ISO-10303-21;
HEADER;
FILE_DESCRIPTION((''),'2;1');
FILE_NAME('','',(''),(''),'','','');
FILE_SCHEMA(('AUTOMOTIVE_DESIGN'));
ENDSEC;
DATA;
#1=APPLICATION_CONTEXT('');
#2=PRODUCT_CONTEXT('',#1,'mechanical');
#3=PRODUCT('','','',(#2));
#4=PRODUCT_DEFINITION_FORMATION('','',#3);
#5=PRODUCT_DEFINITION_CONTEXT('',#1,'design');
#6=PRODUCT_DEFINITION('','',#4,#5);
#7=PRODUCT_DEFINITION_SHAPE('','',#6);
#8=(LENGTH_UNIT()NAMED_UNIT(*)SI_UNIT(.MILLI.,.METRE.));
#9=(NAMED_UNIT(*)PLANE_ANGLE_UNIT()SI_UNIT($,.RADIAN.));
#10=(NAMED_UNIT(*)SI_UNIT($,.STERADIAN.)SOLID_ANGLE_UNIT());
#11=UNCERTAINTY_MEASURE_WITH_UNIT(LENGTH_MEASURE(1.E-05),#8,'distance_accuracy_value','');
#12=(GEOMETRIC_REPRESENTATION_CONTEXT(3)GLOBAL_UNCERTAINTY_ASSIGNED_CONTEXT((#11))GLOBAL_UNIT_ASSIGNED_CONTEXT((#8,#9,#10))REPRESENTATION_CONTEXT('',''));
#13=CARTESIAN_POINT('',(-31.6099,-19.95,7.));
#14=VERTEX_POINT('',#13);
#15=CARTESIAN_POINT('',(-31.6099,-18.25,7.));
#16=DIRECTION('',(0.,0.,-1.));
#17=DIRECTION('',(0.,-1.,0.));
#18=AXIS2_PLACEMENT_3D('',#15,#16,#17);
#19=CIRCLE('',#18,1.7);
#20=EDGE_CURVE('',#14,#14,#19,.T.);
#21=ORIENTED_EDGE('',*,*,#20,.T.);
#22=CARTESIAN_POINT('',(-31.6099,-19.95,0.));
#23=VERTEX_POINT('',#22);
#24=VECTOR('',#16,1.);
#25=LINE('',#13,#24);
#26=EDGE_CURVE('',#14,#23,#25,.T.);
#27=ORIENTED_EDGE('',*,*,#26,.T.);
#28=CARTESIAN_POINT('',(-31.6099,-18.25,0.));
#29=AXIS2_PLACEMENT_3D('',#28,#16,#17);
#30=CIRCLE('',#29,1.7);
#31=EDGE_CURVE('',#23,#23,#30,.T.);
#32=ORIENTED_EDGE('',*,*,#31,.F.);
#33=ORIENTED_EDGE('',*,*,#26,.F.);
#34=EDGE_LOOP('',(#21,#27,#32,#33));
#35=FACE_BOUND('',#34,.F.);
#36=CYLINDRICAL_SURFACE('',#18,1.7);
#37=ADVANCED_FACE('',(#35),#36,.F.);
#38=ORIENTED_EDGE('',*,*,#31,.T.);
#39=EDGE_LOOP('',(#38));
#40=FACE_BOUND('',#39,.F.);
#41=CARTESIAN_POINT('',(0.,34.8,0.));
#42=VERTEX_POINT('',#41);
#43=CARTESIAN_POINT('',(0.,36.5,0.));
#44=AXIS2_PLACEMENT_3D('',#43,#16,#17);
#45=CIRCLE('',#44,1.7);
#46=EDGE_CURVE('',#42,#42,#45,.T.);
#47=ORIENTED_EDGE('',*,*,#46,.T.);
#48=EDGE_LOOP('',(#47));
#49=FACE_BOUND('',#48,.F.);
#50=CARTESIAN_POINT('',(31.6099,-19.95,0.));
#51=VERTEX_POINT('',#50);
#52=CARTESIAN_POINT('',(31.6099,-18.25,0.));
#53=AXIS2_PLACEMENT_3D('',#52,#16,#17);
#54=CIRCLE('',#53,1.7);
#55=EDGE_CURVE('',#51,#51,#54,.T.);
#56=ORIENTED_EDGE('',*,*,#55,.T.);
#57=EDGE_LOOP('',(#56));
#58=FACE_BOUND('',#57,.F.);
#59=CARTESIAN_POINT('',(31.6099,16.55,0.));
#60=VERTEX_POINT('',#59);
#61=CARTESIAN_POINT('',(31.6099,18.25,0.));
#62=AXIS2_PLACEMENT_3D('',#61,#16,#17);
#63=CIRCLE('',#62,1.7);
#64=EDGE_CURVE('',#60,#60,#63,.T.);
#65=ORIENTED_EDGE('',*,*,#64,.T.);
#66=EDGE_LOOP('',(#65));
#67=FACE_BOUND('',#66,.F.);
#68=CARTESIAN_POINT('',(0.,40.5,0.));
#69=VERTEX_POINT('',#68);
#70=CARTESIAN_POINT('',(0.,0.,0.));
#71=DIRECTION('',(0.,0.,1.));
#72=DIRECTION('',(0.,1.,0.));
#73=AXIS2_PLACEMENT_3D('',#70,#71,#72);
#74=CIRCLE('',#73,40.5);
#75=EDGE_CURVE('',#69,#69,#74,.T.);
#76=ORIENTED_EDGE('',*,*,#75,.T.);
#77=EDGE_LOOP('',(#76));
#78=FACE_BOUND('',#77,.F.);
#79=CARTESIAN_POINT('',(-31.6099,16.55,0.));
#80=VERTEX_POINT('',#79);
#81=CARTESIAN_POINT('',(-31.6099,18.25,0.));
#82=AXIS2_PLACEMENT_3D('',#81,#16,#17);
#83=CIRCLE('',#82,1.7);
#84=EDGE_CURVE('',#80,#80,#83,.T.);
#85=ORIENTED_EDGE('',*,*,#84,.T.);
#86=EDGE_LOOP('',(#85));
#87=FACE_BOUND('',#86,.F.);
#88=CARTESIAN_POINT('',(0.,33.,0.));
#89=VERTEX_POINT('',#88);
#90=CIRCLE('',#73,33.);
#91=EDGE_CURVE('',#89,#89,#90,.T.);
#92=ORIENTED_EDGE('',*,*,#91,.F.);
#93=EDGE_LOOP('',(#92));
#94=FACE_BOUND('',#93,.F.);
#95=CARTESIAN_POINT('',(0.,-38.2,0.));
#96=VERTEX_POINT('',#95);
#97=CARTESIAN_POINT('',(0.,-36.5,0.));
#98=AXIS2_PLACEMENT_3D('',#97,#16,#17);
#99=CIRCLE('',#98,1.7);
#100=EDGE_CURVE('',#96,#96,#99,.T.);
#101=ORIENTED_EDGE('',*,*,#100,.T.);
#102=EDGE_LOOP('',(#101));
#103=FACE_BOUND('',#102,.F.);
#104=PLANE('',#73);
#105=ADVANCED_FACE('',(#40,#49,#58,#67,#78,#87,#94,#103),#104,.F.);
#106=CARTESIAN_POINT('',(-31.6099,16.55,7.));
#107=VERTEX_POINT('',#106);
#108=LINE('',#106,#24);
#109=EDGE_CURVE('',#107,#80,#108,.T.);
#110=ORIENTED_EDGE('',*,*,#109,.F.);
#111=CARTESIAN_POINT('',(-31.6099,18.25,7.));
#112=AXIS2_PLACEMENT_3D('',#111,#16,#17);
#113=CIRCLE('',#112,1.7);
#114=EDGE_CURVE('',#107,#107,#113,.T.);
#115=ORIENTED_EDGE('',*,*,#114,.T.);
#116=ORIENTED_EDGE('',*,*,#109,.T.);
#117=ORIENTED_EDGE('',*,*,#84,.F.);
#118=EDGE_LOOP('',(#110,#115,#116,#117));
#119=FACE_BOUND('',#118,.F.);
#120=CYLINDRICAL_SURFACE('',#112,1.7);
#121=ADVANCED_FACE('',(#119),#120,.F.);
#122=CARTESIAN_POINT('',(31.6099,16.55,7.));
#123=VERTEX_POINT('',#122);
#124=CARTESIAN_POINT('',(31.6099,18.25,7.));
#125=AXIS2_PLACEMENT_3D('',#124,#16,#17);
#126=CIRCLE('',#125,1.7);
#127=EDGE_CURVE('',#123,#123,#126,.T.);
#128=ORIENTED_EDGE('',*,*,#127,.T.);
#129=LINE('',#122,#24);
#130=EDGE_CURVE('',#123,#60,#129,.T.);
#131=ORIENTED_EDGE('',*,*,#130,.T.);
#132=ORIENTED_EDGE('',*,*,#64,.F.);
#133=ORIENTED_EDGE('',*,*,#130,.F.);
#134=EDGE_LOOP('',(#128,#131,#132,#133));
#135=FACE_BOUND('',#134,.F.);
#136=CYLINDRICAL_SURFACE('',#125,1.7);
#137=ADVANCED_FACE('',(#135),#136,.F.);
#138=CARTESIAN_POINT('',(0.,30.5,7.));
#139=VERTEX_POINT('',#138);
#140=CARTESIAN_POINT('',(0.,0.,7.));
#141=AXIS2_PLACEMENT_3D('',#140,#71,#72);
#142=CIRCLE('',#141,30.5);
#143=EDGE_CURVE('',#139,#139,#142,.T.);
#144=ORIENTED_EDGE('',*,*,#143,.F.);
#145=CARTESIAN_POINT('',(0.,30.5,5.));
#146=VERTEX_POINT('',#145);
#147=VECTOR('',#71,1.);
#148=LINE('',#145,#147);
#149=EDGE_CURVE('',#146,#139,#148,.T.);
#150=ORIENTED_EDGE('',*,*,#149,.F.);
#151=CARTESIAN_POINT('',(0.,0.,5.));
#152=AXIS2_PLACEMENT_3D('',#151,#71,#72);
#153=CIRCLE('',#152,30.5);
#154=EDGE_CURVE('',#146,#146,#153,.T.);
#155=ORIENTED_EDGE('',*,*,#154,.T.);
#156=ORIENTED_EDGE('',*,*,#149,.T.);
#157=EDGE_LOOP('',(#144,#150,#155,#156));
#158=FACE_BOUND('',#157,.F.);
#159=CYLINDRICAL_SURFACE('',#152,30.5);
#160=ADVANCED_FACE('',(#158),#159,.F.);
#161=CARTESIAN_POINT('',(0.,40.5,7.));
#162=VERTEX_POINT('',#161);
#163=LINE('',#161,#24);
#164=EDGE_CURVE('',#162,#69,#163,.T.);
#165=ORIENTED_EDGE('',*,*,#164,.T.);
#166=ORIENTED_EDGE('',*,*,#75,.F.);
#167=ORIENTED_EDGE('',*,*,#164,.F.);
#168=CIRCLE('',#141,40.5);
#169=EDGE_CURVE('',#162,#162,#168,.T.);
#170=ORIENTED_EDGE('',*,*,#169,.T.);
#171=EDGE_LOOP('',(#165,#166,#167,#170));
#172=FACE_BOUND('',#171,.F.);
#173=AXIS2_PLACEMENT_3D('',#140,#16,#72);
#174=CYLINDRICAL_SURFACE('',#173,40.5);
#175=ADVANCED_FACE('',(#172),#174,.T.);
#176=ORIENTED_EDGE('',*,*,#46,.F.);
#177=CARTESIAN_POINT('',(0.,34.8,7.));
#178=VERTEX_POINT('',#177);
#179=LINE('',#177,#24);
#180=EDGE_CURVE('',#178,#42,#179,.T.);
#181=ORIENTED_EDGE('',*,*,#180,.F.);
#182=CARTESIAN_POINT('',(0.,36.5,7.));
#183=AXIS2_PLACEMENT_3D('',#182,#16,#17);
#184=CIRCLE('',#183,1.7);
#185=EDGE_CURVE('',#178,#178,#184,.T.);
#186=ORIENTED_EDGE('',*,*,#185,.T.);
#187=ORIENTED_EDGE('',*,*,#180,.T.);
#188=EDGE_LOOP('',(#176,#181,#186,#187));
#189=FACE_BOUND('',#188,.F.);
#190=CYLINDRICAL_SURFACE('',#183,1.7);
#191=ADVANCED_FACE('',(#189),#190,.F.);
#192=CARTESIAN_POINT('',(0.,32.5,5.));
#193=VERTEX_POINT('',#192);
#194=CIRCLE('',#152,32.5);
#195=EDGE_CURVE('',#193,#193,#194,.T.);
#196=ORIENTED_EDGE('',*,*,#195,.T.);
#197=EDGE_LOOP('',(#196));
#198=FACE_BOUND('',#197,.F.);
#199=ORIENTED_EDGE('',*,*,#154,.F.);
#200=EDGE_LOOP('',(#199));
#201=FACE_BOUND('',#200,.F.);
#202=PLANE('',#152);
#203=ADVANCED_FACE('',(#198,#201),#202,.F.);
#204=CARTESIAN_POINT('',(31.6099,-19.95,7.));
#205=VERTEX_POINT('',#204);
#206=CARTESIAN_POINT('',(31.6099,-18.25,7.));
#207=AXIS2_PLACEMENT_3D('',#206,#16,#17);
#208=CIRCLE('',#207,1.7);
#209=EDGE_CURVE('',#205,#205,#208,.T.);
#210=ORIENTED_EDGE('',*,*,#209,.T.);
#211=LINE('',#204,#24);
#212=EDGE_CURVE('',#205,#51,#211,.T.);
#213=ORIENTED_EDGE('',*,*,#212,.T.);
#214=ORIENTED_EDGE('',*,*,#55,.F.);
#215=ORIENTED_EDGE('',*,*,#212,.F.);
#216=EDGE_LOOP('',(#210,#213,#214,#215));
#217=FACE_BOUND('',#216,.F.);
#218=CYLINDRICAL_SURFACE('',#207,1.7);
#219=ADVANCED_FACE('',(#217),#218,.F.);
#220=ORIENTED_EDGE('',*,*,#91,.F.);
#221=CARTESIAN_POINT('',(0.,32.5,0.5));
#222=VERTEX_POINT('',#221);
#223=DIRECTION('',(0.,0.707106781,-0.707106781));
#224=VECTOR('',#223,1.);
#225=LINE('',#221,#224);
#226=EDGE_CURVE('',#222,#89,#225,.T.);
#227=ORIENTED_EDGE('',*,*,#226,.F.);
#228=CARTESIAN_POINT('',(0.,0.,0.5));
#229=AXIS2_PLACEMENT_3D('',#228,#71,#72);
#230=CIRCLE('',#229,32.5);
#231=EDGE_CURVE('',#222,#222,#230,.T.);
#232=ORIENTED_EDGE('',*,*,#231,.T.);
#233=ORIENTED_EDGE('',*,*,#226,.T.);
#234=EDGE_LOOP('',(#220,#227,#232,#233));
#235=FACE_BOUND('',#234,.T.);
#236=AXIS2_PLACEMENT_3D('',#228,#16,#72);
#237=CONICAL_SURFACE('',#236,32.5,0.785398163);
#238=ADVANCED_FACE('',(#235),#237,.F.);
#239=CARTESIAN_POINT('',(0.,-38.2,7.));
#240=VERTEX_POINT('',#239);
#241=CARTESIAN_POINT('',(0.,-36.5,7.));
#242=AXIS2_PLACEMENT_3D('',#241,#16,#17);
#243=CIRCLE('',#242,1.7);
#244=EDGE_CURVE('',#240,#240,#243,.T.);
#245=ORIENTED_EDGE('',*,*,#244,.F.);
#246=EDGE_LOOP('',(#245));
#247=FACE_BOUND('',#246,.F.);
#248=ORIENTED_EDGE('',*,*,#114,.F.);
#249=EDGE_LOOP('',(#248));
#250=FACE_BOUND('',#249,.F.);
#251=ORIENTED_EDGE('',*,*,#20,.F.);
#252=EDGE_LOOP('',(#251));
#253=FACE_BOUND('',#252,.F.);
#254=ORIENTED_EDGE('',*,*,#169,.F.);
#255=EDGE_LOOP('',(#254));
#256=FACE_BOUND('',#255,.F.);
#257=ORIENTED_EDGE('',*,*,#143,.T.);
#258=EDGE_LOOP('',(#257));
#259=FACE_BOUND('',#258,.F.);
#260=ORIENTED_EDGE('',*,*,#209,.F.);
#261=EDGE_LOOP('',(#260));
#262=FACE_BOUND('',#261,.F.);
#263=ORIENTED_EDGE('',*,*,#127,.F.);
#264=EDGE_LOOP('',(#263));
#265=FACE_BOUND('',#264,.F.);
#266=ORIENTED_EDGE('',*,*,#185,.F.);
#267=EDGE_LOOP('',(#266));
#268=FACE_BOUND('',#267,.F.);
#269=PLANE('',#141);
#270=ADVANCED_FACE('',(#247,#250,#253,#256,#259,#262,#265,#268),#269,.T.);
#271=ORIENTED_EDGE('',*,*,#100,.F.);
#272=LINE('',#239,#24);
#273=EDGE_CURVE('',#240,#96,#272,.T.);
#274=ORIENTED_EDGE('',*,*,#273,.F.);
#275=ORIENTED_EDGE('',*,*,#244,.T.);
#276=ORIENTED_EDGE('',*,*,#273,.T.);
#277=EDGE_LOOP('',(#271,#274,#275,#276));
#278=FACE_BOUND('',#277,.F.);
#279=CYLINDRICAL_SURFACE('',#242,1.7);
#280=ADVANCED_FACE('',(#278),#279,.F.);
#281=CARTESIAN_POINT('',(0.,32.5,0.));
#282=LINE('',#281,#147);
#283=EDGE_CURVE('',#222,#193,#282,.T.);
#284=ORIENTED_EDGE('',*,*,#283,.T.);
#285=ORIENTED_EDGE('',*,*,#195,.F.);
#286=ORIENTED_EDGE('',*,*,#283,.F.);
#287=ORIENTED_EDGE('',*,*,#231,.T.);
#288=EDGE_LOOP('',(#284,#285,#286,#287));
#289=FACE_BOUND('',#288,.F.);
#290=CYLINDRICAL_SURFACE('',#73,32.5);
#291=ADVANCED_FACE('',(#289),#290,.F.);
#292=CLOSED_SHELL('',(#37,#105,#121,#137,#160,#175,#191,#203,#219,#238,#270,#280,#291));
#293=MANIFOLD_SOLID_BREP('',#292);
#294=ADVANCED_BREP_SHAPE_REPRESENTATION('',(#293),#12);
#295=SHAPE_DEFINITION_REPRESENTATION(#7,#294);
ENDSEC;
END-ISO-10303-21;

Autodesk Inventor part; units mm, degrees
ref_plane "YZ Plane" through (0, 0, 0) normal (1, 0, 0) x (0, 1, 0)
ref_plane "XZ Plane" through (0, 0, 0) normal (0, 1, 0) x (-1, 0, 0)
ref_plane "XY Plane" through (0, 0, 0) normal (0, 0, 1) x (1, 0, 0)
sketch "スケッチ1" plane through (0, 0, 0) normal (1, 0, 0) x (0, 1, 0)
  line L0 (32.5, 0) -> (32.5, 5)
  line L1 (32.5, 5) -> (30.5, 5)
  line L2 (30.5, 5) -> (30.5, 7)
  line L3 (30.5, 7) -> (40.5, 7)
  line L4 (40.5, 7) -> (40.5, 0)
  line L5 (40.5, 0) -> (32.5, 0)
  line L6 (0, -1.4) -> (0, 8.4) projected
  point P0 (0, 0)
  dimension "d0" = 32.5
  dimension "d1" = 5
  dimension "d2" = 2
  dimension "d3" = 2
  dimension "d22" = 8
revolve "回転1" add sketch "スケッチ1" angle 360 about axis through (0, 0, -10) along (0, 0, 1)
sketch "スケッチ2" plane through (0, 0, 7) normal (0, 0, 1) x (1, 0, 0)
  circle A0 centre (0, 0) radius 36.5
  point P0 (0, 36.5)
  point P1 (-31.6099, 18.25)
  point P2 (-31.6099, -18.25)
  point P3 (0, -36.5)
  point P4 (31.6099, -18.25)
  point P5 (31.6099, 18.25)
  dimension "d6" = 73
  dimension "d16" = 360
hole "穴1" at (31.6099, 18.25, 7) at (31.6099, -18.25, 7) at (0, -36.5, 7) at (-31.6099, -18.25, 7) at (-31.6099, 18.25, 7) at (0, 36.5, 7) direction (0, 0, -1) diameter 3.4 end through all clearance for "Socket Head Cap Screw" size "M3" standard "Ansi Metric M Profile"
chamfer "面取り1" distance 0.5 angle 45 1 edges at (0, -32.5, 0)
properties part number "base2" material "ABS プラスチック"
